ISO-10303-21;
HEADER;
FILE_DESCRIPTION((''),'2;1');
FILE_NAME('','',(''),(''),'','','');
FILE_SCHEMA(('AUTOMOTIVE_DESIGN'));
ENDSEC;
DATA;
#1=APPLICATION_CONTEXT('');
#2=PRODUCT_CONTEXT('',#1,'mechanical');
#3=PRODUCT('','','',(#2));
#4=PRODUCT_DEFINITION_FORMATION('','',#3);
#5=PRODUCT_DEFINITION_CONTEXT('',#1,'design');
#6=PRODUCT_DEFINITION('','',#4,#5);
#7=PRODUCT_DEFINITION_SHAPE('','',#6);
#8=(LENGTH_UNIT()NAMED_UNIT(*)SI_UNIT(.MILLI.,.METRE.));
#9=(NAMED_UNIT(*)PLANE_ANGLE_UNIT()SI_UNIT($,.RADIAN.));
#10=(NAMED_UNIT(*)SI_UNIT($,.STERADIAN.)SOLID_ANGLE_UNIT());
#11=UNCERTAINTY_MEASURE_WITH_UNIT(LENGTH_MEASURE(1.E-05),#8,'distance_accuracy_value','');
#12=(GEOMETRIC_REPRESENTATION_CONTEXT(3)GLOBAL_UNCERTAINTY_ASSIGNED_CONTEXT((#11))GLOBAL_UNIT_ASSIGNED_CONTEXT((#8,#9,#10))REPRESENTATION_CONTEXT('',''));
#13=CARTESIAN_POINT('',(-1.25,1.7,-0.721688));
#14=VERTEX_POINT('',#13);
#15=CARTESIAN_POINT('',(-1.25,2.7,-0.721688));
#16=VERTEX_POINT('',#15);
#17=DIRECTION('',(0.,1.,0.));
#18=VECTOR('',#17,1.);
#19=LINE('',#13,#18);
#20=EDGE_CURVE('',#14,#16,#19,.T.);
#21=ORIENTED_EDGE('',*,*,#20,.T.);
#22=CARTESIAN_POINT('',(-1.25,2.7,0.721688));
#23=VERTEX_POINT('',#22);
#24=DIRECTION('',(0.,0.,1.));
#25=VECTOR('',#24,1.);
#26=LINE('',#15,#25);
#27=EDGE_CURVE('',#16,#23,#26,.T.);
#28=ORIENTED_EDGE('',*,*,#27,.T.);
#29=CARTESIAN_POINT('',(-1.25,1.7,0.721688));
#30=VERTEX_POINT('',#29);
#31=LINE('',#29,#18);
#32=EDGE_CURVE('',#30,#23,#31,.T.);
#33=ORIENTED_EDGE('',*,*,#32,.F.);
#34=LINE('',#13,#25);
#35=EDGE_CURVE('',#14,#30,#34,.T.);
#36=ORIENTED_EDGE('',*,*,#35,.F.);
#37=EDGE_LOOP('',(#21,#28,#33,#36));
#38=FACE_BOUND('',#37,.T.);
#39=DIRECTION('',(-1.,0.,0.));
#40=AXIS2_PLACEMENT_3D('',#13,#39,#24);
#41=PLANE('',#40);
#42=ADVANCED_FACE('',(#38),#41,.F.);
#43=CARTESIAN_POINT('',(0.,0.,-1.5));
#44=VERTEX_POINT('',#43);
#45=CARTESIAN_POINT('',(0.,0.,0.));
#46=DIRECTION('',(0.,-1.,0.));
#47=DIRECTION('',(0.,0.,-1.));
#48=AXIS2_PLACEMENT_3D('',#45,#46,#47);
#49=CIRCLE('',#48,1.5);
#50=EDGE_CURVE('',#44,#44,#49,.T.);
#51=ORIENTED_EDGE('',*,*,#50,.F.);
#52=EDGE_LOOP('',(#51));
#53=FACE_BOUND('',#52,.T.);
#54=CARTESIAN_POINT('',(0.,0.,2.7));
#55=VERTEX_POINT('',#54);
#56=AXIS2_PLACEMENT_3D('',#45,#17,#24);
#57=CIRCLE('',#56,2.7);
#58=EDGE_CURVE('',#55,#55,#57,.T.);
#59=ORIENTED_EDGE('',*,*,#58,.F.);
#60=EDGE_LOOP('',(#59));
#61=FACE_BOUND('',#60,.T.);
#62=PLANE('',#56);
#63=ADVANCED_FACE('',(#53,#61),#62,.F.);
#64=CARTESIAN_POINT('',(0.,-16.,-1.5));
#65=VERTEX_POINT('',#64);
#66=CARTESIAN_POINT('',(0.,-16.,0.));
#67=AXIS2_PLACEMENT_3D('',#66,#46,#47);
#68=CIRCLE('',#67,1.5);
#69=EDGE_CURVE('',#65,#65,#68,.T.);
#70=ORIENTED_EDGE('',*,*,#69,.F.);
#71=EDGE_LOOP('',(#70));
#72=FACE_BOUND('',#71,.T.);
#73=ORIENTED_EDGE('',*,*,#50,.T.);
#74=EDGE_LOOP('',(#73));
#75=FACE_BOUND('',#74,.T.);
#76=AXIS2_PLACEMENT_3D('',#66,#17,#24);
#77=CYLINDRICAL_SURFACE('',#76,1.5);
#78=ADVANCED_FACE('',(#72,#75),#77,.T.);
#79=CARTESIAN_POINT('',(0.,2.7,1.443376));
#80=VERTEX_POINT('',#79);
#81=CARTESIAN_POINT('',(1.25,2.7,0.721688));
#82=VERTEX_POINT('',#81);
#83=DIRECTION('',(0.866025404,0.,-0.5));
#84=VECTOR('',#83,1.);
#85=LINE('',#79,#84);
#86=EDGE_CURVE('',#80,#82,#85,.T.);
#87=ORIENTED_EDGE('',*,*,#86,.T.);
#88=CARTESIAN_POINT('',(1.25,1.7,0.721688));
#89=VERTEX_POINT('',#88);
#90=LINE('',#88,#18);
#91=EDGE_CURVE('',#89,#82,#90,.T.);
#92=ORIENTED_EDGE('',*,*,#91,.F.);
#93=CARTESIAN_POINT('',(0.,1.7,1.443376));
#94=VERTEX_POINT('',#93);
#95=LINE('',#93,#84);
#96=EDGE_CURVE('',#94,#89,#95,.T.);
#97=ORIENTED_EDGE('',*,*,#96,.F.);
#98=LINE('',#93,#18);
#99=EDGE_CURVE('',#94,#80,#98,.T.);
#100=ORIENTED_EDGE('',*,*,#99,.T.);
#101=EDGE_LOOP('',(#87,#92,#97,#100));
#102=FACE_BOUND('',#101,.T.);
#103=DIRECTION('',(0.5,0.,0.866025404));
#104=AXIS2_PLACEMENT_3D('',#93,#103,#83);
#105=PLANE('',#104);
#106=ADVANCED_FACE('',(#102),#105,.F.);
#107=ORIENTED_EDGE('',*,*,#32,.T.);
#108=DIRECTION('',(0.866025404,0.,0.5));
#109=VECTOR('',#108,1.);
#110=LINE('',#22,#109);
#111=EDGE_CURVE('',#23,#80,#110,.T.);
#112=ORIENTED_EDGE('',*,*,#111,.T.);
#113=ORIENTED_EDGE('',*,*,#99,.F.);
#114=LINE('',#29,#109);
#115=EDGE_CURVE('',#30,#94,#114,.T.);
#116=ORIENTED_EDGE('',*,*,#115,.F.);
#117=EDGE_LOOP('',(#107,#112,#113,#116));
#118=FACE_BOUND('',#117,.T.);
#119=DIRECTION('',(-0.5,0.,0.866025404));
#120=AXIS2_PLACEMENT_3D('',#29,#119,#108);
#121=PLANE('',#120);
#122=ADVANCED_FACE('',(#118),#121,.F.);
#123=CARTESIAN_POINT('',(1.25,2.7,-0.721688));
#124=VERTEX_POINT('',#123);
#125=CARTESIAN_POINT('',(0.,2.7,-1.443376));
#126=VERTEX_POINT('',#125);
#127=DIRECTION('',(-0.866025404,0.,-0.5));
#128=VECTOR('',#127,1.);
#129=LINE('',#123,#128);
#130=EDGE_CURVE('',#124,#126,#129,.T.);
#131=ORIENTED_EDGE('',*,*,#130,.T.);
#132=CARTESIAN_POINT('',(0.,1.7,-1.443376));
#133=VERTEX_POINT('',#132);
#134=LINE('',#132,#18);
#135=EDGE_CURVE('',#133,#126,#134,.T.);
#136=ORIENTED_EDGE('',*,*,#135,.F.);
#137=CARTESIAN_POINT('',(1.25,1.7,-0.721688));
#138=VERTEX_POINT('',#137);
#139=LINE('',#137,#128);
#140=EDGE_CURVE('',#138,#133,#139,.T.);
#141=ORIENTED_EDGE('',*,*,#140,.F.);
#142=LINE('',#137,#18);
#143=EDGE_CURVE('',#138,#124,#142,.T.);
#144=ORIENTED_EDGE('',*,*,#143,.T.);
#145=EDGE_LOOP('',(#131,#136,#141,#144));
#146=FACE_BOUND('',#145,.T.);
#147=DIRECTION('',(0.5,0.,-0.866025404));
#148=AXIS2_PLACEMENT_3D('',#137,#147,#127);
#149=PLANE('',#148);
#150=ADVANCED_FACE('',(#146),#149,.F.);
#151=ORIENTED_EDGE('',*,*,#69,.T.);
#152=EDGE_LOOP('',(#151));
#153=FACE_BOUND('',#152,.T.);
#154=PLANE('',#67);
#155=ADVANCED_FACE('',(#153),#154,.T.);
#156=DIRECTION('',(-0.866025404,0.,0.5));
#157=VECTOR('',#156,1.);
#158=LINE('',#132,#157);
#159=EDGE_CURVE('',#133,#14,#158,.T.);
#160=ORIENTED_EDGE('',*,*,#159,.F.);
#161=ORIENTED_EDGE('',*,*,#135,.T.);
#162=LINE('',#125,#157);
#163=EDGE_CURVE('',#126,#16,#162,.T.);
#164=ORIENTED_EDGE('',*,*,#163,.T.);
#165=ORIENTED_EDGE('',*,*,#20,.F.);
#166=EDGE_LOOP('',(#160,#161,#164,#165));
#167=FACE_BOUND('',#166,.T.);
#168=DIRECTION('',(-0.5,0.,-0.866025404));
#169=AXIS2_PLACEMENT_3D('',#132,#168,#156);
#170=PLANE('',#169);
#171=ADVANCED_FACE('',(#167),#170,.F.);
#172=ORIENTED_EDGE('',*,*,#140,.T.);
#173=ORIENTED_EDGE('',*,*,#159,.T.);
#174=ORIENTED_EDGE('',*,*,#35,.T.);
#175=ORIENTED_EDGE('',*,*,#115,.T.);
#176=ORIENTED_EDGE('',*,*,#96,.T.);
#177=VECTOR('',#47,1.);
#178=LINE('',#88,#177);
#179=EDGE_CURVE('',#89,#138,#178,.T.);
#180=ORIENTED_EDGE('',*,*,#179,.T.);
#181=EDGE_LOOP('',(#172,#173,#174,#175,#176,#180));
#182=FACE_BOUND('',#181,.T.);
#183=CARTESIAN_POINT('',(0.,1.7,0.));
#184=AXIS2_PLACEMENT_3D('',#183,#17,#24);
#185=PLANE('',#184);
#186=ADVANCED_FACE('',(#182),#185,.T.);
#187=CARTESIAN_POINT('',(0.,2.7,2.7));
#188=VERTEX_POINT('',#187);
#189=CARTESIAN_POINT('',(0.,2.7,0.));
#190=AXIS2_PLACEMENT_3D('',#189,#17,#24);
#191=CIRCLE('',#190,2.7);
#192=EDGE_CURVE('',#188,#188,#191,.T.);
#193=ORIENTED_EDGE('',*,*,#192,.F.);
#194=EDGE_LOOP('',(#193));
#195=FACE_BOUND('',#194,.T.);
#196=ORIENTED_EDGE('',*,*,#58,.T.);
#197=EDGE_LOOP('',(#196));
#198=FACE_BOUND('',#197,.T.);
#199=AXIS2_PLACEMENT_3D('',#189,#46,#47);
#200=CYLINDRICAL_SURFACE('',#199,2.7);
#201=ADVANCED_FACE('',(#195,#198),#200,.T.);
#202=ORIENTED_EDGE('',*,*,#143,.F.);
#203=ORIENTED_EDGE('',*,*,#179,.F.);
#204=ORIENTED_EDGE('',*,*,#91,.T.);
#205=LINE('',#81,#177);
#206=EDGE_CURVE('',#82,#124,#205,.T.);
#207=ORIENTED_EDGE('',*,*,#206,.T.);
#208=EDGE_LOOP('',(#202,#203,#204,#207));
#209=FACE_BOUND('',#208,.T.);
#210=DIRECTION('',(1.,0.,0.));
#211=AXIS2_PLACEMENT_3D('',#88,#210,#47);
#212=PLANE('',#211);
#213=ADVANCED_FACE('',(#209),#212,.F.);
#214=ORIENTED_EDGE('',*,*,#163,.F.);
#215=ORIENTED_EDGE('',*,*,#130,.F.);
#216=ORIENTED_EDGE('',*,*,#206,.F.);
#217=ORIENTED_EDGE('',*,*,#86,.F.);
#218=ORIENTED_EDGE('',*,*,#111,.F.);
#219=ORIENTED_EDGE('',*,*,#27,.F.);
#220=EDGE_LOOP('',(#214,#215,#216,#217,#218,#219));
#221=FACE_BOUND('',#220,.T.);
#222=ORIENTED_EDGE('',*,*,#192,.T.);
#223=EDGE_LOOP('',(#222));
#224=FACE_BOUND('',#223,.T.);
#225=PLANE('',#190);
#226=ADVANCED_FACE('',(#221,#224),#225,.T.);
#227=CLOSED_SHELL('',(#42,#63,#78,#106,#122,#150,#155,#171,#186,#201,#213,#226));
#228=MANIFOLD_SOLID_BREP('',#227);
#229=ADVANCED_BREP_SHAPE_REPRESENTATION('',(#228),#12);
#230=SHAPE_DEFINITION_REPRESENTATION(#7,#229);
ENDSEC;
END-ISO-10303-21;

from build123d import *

# Parameters (mm, degrees)
SKETCH1_R           = 2.7
BOSS_EXTRUDE1_DEPTH = 2.7
CUT_EXTRUDE1_DEPTH  = 1
SKETCH3_R           = 1.5
BOSS_EXTRUDE2_DEPTH = 16


with BuildPart() as part:
    # Sketch1 → Boss-Extrude1 (new body)
    with BuildSketch(Plane(origin=(0, 0, 0), x_dir=(1, 0, 0), z_dir=(0, 1, 0))):
        Circle(SKETCH1_R)
    extrude(amount=BOSS_EXTRUDE1_DEPTH)

    # Sketch2 → Cut-Extrude1 (cut)
    with BuildSketch(Plane(origin=(0, 2.7, 0), x_dir=(1, 0, 0), z_dir=(0, 1, 0))):
        Polygon((0, 1.443375673), (-1.25, 0.721687836), (-1.25, -0.721687836), (0, -1.443375673), (1.25, -0.721687836), (1.25, 0.721687836), align=None)
    extrude(amount=-CUT_EXTRUDE1_DEPTH, mode=Mode.SUBTRACT)

    # Sketch3 → Boss-Extrude2 (add)
    with BuildSketch(Plane.XZ):
        Circle(SKETCH3_R)
    extrude(amount=BOSS_EXTRUDE2_DEPTH)


solid = part.part
